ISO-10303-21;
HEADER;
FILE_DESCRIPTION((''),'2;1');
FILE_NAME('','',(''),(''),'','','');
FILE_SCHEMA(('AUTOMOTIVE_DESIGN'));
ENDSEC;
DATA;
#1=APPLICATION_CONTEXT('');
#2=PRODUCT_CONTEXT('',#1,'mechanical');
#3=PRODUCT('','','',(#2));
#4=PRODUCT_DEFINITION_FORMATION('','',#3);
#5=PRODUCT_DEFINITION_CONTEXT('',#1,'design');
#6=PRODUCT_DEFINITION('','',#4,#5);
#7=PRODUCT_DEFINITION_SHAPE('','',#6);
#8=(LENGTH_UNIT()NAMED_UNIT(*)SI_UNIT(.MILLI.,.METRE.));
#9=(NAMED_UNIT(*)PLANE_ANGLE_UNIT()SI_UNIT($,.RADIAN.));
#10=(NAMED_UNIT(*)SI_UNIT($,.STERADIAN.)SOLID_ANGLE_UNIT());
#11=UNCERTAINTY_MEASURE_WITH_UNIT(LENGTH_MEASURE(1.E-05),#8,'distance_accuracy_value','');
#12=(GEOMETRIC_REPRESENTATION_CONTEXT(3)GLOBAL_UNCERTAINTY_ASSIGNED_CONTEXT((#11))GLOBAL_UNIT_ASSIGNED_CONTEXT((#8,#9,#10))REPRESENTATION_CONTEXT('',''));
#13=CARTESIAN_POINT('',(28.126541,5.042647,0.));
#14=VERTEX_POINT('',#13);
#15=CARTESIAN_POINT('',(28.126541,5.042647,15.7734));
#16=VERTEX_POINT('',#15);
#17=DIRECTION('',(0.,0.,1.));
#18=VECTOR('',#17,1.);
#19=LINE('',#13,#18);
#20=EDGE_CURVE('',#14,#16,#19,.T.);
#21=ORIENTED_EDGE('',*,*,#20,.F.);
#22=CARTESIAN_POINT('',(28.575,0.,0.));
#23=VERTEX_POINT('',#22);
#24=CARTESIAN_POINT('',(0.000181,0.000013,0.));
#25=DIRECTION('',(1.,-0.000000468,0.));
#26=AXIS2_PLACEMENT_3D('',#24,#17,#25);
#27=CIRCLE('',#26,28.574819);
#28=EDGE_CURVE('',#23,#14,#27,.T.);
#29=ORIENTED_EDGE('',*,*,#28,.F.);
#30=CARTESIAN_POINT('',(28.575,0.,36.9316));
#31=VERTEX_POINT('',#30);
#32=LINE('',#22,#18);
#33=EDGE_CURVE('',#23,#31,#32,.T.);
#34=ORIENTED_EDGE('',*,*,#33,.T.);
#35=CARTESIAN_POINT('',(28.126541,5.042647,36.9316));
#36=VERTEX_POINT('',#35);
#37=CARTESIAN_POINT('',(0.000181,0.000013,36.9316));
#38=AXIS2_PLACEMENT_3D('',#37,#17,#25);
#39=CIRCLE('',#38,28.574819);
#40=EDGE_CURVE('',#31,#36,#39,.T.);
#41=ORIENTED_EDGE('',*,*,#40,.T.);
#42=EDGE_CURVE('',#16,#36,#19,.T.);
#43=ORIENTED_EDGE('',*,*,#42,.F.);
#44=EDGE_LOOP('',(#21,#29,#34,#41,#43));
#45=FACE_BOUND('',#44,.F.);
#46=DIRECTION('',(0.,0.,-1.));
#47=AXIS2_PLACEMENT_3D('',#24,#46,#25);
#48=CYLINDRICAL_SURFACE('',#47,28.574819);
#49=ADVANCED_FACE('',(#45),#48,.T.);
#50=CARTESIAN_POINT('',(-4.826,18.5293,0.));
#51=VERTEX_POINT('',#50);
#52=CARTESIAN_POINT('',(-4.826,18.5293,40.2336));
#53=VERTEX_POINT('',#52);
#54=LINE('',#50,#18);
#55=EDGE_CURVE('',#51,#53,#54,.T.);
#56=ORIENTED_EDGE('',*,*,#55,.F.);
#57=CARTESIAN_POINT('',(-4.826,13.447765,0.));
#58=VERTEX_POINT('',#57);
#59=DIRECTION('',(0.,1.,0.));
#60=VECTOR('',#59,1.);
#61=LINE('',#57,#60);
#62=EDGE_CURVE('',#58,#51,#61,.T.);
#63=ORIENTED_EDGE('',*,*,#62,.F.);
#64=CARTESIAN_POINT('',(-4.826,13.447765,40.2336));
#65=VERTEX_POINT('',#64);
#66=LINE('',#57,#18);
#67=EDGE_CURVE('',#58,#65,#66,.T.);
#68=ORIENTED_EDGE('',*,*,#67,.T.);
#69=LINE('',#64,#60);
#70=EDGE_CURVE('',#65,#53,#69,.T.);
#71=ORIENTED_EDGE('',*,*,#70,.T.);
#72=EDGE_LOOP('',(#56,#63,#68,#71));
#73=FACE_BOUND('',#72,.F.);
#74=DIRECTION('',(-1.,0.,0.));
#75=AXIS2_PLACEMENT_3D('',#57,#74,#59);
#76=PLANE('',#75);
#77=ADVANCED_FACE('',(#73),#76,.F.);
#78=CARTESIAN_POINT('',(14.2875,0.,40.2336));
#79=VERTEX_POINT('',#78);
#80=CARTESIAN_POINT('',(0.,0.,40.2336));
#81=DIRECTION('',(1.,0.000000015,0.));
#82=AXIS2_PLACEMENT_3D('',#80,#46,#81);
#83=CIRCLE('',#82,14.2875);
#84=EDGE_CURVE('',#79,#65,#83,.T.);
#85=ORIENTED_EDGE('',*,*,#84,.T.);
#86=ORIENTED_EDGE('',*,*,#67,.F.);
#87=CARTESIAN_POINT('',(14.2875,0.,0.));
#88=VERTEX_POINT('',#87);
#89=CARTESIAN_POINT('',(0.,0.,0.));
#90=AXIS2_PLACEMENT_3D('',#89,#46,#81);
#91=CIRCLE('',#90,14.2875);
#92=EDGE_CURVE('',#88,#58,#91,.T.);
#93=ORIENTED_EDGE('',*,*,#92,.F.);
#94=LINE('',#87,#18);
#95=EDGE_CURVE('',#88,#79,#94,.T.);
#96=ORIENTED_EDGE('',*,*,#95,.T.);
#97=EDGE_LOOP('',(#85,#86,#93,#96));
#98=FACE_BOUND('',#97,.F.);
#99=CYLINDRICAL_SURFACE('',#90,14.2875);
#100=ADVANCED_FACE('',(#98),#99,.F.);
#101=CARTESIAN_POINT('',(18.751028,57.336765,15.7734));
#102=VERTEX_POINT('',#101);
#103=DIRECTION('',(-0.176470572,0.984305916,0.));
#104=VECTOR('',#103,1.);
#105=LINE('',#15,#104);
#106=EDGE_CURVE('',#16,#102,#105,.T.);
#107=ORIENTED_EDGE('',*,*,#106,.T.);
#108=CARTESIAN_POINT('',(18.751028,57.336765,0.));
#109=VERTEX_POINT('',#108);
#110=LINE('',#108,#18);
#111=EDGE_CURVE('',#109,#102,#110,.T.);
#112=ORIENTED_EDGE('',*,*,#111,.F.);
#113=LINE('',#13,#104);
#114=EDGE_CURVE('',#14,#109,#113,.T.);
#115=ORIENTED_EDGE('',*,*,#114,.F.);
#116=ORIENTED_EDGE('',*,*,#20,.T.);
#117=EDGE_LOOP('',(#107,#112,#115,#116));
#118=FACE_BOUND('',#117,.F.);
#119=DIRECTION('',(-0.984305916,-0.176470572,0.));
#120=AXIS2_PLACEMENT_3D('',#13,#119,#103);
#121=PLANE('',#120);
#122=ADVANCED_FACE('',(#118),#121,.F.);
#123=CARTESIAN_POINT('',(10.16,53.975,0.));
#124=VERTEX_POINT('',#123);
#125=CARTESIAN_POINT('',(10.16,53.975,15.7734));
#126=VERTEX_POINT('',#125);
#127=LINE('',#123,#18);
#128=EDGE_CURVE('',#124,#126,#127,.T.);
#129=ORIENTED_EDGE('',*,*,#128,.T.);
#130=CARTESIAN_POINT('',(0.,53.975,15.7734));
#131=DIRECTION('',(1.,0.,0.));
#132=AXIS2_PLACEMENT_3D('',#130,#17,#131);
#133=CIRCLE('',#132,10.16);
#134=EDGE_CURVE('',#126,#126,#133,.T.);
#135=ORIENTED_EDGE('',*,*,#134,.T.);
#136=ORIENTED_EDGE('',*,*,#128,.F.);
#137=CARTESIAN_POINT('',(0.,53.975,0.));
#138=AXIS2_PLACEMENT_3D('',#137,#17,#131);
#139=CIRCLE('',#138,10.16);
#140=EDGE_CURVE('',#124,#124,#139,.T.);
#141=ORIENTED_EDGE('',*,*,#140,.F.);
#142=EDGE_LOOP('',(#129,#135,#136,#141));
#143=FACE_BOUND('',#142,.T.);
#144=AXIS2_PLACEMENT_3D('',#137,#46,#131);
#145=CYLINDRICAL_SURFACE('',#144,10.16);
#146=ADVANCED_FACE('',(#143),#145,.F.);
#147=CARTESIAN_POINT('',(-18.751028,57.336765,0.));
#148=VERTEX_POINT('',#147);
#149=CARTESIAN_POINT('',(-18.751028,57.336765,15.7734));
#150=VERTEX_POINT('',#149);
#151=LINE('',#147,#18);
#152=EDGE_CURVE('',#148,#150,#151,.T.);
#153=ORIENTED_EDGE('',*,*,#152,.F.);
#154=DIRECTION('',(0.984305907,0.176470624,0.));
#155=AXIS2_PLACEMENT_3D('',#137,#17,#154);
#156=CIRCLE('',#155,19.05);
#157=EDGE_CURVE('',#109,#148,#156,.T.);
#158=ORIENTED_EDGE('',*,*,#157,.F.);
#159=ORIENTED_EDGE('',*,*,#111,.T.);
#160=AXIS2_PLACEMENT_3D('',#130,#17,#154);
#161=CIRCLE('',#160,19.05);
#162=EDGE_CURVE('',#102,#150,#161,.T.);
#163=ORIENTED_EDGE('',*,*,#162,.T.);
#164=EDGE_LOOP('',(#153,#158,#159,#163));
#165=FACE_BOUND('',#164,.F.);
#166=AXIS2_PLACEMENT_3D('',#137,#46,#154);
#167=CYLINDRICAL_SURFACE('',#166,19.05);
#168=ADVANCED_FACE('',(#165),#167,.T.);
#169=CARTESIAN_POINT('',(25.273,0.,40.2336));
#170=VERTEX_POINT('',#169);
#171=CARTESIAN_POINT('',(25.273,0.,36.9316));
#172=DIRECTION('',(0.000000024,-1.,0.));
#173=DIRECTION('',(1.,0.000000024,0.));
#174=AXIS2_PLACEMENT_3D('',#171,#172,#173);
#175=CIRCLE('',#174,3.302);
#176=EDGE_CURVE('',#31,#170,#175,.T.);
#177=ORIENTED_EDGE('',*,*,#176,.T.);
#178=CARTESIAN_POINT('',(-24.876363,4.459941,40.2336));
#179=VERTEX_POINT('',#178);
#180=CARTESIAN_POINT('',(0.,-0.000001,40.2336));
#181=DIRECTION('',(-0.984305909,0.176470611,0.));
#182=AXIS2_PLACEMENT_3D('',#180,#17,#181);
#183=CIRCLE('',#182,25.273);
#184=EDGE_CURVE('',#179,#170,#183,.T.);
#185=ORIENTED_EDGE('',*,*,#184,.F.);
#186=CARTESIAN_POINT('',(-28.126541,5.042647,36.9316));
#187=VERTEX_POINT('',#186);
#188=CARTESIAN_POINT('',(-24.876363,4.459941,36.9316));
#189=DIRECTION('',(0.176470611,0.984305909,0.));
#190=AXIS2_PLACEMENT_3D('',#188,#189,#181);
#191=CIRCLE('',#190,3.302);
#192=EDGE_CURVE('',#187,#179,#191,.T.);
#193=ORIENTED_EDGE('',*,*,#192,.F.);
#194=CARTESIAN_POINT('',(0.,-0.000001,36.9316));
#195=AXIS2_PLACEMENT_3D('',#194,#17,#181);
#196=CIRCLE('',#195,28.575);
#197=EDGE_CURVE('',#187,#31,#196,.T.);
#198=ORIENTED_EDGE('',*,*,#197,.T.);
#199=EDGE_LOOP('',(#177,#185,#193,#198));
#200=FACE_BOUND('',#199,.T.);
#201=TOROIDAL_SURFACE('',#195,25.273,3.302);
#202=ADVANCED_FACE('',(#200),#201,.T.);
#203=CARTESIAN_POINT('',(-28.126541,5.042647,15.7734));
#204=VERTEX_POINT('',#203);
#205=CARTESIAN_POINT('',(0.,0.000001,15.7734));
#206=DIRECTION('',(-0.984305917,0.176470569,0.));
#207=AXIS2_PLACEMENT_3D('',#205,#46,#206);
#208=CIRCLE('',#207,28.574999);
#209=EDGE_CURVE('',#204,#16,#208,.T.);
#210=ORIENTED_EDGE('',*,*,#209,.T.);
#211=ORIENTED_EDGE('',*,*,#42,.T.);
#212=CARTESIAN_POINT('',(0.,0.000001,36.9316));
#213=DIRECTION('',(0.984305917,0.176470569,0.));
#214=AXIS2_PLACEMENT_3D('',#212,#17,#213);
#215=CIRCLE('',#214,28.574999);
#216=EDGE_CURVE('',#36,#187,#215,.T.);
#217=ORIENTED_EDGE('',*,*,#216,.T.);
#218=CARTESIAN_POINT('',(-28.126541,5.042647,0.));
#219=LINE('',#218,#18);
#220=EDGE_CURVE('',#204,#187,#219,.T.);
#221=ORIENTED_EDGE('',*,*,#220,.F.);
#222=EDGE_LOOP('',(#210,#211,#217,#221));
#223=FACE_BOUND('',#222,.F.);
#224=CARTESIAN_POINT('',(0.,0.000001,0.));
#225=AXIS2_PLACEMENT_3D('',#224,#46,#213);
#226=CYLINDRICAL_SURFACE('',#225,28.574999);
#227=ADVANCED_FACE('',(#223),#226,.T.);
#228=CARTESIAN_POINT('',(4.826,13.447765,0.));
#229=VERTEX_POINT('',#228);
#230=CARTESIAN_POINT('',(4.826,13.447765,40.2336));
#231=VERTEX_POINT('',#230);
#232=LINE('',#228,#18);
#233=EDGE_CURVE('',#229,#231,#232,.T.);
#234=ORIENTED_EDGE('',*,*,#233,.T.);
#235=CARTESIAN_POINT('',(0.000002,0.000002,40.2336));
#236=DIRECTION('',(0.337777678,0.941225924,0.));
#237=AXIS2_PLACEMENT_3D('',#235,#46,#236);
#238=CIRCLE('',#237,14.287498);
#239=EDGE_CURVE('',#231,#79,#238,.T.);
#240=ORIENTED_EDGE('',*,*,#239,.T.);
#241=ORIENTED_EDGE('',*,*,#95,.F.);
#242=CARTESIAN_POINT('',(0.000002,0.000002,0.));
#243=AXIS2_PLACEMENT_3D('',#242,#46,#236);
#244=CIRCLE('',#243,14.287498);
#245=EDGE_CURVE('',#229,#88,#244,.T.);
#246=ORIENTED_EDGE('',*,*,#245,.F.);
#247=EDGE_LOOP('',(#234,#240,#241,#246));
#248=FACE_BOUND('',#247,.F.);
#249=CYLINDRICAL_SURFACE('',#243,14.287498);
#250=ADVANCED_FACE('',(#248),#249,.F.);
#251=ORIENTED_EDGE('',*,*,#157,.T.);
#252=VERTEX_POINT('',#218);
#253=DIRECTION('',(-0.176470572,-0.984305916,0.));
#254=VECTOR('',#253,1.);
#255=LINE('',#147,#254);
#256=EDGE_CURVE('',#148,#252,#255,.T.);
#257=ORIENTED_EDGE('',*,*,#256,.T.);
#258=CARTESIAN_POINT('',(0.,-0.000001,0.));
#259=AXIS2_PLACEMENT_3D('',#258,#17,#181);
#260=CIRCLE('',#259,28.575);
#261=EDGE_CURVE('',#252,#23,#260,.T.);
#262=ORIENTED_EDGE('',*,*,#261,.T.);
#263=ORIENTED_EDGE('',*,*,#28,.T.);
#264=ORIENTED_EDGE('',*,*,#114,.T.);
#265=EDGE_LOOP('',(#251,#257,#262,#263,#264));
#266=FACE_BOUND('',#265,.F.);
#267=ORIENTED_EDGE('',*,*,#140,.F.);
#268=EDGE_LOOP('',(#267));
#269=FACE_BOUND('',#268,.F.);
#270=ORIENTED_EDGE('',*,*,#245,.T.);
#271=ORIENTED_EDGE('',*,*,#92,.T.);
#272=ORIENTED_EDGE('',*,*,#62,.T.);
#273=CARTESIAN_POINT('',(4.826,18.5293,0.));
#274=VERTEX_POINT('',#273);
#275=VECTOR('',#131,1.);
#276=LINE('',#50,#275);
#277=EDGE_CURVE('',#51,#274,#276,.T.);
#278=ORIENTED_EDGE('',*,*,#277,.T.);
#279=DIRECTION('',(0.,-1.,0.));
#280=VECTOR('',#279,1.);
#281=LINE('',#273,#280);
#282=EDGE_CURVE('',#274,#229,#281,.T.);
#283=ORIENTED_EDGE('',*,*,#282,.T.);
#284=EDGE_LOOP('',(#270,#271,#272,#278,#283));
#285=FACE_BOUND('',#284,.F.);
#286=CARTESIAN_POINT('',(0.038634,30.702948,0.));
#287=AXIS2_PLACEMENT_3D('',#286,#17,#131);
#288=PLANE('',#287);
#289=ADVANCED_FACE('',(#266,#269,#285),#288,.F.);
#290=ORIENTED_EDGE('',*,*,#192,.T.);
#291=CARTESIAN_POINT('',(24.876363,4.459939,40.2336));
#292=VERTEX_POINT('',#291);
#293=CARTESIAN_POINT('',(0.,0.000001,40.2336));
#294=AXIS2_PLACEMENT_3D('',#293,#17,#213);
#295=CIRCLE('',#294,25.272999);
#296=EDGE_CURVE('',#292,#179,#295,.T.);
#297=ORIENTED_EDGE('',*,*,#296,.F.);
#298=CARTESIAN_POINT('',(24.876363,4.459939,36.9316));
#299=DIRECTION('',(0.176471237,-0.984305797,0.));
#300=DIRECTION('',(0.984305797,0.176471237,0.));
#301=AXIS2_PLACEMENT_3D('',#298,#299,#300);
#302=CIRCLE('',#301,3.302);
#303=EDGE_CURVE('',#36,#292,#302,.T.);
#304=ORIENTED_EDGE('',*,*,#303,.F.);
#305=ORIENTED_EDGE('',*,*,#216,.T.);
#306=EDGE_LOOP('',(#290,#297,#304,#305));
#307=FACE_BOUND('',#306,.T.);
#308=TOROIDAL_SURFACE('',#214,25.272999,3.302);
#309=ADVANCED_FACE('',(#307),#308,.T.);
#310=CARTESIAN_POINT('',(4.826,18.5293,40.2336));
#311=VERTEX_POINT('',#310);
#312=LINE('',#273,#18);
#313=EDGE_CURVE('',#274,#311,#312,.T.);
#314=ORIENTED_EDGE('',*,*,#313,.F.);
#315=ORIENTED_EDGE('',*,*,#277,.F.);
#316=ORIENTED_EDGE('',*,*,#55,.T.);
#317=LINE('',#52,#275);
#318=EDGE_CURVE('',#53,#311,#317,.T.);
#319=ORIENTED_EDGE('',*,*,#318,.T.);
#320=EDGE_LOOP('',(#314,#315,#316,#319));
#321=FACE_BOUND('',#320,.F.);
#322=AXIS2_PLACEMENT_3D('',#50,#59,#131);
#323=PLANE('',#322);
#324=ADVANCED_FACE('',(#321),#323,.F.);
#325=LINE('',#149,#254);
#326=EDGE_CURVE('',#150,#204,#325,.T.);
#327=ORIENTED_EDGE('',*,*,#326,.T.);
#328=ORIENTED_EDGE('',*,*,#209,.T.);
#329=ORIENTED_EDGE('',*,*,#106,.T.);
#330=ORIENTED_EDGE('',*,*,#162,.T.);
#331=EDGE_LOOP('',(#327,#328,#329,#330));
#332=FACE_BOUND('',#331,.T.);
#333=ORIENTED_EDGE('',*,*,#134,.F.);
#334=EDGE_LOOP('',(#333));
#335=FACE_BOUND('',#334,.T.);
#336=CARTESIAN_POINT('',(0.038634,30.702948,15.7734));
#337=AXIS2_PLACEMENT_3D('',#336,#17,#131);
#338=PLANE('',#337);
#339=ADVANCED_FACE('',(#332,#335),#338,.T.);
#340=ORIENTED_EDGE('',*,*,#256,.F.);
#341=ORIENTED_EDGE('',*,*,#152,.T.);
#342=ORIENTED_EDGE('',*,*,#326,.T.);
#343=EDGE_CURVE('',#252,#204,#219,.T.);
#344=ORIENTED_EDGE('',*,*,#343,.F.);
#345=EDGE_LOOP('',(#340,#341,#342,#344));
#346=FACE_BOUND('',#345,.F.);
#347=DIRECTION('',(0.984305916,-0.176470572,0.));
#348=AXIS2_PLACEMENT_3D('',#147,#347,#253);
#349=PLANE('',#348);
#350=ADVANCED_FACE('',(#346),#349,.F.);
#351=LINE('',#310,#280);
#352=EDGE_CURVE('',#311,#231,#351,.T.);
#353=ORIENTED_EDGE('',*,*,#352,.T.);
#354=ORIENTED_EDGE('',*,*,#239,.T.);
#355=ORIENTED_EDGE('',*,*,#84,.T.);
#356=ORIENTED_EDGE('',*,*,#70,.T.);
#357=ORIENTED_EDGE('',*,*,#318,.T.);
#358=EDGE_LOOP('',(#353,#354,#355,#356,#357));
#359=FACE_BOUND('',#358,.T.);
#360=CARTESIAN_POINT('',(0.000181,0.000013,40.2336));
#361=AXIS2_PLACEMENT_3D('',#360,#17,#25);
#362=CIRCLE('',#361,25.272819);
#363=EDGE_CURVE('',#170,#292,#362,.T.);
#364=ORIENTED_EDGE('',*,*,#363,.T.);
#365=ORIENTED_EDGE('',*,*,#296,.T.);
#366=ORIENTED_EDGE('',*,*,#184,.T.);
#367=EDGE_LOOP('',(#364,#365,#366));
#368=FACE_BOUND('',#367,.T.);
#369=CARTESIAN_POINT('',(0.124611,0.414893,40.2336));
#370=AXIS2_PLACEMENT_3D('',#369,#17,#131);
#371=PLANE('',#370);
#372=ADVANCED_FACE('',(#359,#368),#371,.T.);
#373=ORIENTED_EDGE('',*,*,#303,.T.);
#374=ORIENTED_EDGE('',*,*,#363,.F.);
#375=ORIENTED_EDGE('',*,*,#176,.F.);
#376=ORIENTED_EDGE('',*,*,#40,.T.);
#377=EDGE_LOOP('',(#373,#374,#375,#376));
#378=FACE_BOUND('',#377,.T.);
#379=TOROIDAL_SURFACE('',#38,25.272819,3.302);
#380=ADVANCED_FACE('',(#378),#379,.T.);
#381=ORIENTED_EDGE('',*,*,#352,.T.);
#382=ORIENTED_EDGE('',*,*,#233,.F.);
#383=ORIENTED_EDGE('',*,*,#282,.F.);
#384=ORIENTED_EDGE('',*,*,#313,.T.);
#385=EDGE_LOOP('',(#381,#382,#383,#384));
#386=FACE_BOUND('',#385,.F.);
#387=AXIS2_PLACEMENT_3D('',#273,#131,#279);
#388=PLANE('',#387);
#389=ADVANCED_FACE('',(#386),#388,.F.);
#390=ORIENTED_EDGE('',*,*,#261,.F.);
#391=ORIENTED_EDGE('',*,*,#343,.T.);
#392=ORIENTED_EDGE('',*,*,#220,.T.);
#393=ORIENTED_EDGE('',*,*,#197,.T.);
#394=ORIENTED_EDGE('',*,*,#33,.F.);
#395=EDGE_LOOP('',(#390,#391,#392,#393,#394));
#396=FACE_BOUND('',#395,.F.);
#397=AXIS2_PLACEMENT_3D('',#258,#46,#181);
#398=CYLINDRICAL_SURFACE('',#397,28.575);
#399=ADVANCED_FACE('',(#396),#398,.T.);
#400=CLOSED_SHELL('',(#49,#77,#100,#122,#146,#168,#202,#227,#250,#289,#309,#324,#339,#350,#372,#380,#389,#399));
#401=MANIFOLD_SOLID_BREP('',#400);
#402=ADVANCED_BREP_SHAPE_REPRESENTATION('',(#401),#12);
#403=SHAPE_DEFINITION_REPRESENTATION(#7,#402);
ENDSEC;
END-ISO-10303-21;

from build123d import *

# Parameters (mm, degrees)
F1_DEPTH = 40.2336
F2_R     = 3.302
F0_R     = 10.16
F3_DEPTH = 15.7734


with BuildPart() as f1:
    # F0 (on Top) → F1 (new body)
    with BuildSketch(Plane.XY):
        with BuildLine():
            ThreePointArc((-28.126541, 5.042647), (-2.531275, -28.462665), (28.575, 0))
            ThreePointArc((28.575, 0), (28.462665, 2.531275), (28.126541, 5.042647))
            ThreePointArc((28.126541, 5.042647), (0, 28.575), (-28.126541, 5.042647))
        make_face()
        with BuildLine():
            ThreePointArc((4.826, 13.447765), (11.685122, 8.22135), (14.2875, 0))
            ThreePointArc((14.2875, 0), (-8.22135, -11.685122), (-4.826, 13.447765))
            Line((-4.826, 13.447765), (-4.826, 18.5293))
            Line((-4.826, 18.5293), (0, 18.5293))
            Line((0, 18.5293), (4.826, 18.5293))
            Line((4.826, 18.5293), (4.826, 13.447765))
        make_face(mode=Mode.SUBTRACT)
    extrude(amount=F1_DEPTH)

    # F2
    f2_edges = [f1.edges().sort_by_distance(p)[0] for p in [
        (-28.575, 0, 40.2336),
    ]]
    fillet(f2_edges, radius=F2_R)

    # F0 (on Top) → F3 (join)
    with BuildSketch(Plane.XY):
        with BuildLine():
            ThreePointArc((-28.126541, 5.042647), (0, 28.575), (28.126541, 5.042647))
            Line((28.126541, 5.042647), (18.751028, 57.336765))
            ThreePointArc((18.751028, 57.336765), (18.97511, 55.662516), (19.05, 53.975))
            ThreePointArc((19.05, 53.975), (-1.687516, 34.99989), (-18.751028, 57.336765))
            Line((-18.751028, 57.336765), (-28.126541, 5.042647))
        make_face()
        with BuildLine():
            ThreePointArc((19.05, 53.975), (18.97511, 55.662516), (18.751028, 57.336765))
            ThreePointArc((18.751028, 57.336765), (0, 73.025), (-18.751028, 57.336765))
            ThreePointArc((-18.751028, 57.336765), (-1.687516, 34.99989), (19.05, 53.975))
        make_face()
        with Locations((0, 53.975)):
            Circle(F0_R, mode=Mode.SUBTRACT)
    extrude(amount=F3_DEPTH)


solid = f1.part
